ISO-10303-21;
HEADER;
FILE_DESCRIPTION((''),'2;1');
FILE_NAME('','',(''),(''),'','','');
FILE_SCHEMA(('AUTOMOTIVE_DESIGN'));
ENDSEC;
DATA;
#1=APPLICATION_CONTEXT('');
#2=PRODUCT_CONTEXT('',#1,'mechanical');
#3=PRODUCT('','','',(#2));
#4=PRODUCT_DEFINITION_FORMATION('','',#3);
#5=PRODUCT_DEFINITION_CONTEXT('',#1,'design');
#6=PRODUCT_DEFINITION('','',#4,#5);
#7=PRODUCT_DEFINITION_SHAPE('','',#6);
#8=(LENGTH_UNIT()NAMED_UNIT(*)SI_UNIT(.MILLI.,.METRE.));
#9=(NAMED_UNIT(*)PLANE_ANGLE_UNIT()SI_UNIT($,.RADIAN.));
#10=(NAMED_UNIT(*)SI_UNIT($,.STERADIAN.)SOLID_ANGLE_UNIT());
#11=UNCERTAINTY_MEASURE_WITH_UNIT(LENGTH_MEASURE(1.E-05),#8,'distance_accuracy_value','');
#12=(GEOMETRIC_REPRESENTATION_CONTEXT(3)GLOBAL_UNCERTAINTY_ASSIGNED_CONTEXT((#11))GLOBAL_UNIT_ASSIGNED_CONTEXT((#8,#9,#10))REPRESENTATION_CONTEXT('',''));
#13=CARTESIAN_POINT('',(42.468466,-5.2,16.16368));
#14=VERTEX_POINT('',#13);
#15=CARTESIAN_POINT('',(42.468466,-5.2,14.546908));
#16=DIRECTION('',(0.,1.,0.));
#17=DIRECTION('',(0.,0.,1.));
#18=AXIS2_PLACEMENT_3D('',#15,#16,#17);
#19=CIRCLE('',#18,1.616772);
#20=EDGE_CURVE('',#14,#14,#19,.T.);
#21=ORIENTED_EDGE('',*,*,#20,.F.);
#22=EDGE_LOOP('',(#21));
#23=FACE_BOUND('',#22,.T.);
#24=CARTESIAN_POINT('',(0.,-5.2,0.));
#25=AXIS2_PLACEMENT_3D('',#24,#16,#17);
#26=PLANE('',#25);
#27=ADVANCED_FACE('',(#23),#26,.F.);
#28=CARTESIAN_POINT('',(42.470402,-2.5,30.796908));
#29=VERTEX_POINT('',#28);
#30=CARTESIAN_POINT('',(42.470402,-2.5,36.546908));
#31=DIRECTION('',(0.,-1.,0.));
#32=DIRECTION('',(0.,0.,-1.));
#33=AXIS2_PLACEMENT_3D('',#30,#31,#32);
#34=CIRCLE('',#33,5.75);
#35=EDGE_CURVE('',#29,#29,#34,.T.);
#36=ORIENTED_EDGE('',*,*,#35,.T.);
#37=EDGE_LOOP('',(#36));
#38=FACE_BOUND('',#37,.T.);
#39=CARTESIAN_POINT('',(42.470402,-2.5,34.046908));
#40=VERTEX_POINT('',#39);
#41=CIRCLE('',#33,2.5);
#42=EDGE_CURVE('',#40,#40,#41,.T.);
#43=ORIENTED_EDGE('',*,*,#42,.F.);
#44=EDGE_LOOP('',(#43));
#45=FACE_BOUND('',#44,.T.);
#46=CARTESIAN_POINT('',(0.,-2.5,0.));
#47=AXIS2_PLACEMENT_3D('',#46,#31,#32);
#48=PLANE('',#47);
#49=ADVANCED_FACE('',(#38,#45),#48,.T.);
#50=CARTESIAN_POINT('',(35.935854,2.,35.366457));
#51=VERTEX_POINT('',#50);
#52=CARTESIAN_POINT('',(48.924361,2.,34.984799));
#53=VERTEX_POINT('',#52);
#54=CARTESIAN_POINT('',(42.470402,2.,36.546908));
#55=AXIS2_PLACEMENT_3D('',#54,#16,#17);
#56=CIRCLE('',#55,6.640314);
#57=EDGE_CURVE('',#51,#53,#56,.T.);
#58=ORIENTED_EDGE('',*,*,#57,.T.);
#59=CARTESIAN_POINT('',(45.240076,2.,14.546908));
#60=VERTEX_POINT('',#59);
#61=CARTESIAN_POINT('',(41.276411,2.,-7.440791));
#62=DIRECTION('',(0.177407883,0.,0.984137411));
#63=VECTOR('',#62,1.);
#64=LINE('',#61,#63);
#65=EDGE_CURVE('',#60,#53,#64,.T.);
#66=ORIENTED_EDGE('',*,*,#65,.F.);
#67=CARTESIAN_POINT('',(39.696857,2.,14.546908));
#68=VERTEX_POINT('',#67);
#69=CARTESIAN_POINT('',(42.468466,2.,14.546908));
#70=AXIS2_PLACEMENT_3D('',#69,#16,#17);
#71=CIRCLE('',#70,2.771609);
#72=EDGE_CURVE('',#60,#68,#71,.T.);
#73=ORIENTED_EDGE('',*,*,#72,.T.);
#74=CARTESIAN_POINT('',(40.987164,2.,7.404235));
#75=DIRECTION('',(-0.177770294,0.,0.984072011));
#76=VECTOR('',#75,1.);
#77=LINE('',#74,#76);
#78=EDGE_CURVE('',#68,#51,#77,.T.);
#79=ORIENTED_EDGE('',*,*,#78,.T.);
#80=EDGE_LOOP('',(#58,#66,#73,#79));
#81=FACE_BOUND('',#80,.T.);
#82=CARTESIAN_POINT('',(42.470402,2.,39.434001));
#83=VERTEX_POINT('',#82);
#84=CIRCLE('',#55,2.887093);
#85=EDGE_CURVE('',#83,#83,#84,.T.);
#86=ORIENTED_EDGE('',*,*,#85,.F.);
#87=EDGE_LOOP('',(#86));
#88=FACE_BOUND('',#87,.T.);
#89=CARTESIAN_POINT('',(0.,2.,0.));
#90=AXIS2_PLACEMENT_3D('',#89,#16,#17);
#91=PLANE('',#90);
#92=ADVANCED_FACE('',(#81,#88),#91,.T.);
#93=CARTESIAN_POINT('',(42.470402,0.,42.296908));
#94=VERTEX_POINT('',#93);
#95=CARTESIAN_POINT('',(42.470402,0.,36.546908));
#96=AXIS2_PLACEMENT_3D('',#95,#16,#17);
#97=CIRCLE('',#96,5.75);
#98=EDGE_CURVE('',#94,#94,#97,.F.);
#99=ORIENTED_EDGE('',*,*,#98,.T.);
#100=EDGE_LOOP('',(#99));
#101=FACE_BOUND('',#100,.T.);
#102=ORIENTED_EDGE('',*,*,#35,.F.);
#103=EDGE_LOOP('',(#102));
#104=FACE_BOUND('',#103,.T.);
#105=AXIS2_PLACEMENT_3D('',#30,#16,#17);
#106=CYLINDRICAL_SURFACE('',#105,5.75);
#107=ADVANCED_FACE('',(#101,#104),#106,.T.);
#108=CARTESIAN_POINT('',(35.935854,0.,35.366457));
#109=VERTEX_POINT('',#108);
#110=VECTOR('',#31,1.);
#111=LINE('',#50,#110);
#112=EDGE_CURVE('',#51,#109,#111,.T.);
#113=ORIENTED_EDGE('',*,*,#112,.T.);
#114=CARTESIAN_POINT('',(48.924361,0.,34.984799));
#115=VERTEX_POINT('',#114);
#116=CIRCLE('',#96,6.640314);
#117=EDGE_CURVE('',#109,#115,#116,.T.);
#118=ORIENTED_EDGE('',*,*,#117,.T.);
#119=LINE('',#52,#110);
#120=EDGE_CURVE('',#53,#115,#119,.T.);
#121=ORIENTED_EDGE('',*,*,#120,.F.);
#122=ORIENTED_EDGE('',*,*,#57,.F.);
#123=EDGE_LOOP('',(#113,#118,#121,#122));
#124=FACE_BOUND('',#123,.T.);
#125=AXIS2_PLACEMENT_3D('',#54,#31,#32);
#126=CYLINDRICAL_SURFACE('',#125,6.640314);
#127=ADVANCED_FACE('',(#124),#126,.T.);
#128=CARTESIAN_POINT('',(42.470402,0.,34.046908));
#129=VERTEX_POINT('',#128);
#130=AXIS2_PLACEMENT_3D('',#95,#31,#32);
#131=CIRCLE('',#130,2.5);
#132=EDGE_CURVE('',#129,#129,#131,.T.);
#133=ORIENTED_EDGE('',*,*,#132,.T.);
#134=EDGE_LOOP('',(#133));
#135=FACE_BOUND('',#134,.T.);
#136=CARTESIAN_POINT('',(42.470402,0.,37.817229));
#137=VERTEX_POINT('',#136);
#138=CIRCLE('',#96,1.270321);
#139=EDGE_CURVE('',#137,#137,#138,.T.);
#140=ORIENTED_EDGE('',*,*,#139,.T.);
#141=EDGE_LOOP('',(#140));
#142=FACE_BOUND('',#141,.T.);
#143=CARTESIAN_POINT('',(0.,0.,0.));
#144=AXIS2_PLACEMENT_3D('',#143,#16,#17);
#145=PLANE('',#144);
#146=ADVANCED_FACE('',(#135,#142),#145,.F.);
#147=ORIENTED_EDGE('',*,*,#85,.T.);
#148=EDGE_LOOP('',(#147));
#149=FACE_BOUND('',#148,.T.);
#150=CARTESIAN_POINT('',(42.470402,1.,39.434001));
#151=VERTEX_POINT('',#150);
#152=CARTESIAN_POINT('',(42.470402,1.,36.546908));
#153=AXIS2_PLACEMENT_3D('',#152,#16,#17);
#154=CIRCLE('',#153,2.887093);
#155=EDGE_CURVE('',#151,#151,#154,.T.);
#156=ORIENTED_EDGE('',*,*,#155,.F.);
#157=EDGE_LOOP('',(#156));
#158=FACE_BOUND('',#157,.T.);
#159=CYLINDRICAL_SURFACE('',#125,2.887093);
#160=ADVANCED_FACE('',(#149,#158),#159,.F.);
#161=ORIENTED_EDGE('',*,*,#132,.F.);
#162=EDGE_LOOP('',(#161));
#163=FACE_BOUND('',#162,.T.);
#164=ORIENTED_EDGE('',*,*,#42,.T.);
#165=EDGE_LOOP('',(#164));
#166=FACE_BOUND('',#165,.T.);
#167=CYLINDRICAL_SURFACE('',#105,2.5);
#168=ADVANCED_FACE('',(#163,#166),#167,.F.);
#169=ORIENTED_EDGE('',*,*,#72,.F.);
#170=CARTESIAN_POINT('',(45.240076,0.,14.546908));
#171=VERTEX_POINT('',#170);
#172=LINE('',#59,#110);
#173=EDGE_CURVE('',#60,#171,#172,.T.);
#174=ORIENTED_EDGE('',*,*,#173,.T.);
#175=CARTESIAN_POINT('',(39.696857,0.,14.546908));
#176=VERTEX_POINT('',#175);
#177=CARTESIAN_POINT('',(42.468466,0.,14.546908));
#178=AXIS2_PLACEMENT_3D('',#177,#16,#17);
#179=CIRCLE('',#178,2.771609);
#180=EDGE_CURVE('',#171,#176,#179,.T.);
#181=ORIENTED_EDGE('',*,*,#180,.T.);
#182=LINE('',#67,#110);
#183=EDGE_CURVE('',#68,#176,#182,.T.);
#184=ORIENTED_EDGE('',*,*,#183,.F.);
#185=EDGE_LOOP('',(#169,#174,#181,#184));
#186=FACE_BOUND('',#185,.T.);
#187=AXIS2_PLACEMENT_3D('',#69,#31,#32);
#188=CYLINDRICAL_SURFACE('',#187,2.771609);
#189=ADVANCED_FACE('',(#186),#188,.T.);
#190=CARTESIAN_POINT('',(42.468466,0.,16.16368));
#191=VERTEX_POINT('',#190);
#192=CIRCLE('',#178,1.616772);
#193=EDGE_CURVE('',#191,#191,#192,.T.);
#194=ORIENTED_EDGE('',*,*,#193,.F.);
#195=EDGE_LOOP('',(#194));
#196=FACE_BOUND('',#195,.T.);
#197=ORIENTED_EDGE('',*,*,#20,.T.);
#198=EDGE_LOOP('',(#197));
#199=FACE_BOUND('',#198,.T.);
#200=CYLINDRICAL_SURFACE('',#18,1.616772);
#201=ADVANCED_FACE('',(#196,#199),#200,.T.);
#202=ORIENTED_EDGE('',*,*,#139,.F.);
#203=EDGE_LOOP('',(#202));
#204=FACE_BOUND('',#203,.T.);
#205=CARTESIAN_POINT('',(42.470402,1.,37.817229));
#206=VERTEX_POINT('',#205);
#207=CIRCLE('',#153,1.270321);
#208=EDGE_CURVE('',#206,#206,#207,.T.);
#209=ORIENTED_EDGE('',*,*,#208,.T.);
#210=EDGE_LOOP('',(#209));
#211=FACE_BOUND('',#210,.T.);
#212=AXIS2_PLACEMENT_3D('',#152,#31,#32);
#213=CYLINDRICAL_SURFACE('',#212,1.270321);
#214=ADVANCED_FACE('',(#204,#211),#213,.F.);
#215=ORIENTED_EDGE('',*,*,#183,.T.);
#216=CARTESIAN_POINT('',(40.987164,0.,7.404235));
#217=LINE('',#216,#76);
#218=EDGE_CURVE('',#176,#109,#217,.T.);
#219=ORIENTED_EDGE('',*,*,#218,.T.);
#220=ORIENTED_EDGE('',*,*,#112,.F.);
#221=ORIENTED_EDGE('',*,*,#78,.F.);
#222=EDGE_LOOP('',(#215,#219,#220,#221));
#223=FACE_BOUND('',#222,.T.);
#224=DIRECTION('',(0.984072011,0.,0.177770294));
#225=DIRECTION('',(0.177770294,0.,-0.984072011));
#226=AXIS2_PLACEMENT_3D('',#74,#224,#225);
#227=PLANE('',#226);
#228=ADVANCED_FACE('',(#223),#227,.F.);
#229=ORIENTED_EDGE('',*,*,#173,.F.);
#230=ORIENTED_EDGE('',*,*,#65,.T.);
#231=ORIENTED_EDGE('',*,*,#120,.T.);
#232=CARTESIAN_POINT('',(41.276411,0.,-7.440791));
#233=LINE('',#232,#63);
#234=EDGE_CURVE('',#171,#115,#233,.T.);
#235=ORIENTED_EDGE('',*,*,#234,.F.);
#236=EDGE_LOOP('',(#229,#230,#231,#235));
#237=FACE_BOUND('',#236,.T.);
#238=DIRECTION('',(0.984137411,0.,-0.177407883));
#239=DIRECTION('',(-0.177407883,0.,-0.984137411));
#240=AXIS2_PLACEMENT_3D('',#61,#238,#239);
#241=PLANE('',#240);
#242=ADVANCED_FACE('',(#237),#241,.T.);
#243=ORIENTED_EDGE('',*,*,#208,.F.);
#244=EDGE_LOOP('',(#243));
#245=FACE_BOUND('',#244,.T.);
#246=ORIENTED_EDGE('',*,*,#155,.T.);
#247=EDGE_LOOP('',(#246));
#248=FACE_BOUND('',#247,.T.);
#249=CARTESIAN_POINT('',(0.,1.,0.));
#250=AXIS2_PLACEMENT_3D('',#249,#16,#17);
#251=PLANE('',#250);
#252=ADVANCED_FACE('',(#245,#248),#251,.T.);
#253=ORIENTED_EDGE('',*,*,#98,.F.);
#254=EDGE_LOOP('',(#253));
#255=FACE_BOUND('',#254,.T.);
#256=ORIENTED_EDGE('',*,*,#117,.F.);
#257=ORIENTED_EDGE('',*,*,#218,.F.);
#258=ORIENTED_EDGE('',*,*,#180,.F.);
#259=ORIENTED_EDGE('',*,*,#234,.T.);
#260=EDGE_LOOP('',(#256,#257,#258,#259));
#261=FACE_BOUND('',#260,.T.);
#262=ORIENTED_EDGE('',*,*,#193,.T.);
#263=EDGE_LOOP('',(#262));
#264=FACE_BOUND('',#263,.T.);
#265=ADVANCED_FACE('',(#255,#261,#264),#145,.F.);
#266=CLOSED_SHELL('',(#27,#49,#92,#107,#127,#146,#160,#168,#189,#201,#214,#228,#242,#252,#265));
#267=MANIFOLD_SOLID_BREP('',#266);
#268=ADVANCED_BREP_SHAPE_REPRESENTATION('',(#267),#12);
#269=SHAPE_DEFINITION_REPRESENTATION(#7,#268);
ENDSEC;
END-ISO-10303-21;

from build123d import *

# Parameters (mm, degrees)
SKETCH1_R           = 2.887093213
BOSS_EXTRUDE1_DEPTH = 2
SKETCH1_4_R         = 2.887093213
SKETCH1_4_R_2       = 1.270321014
BOSS_EXTRUDE2_DEPTH = 1
SKETCH1_6_R         = 1.616772199
BOSS_EXTRUDE5_DEPTH = 5.2
SKETCH3_R           = 5.75
SKETCH3_R_2         = 2.5
BOSS_EXTRUDE6_DEPTH = 2.5


with BuildPart() as part:
    # Sketch1 → Boss-Extrude1 (new body)
    with BuildSketch(Plane(origin=(0, 0, 0), x_dir=(1, 0, 0), z_dir=(0, 1, 0))):
        with BuildLine():
            Line((48.924361083, -34.984798737), (45.240075768, -14.546907598))
            ThreePointArc((45.240075768, -14.546907598), (42.468466284, -11.775298114), (39.6968568, -14.546907598))
            Line((39.6968568, -14.546907598), (35.935854194, -35.366456871))
            ThreePointArc((35.935854194, -35.366456871), (42.66543851, -43.184357012), (48.924361083, -34.984798737))
        make_face()
        with Locations((42.470401728, -36.546907513)):
            Circle(SKETCH1_R, mode=Mode.SUBTRACT)
    extrude(amount=BOSS_EXTRUDE1_DEPTH)

    # Sketch1<4> → Boss-Extrude2 (add)
    with BuildSketch(Plane(origin=(0, 0, 0), x_dir=(1, 0, 0), z_dir=(0, 1, 0))):
        with Locations((42.470401728, -36.546907513)):
            Circle(SKETCH1_4_R)
        with Locations((42.470401728, -36.546907513)):
            Circle(SKETCH1_4_R_2, mode=Mode.SUBTRACT)
    extrude(amount=BOSS_EXTRUDE2_DEPTH)

    # Sketch1<6> → Boss-Extrude5 (add)
    with BuildSketch(Plane(origin=(0, 0, 0), x_dir=(1, 0, 0), z_dir=(0, 1, 0))):
        with Locations((42.468466284, -14.546907598)):
            Circle(SKETCH1_6_R)
    extrude(amount=-BOSS_EXTRUDE5_DEPTH)

    # Sketch3 → Boss-Extrude6 (add)
    with BuildSketch(Plane.XZ):
        with Locations((42.470401728, 36.546907513)):
            Circle(SKETCH3_R)
        with Locations((42.470401728, 36.546907513)):
            Circle(SKETCH3_R_2, mode=Mode.SUBTRACT)
    extrude(amount=BOSS_EXTRUDE6_DEPTH)


solid = part.part
